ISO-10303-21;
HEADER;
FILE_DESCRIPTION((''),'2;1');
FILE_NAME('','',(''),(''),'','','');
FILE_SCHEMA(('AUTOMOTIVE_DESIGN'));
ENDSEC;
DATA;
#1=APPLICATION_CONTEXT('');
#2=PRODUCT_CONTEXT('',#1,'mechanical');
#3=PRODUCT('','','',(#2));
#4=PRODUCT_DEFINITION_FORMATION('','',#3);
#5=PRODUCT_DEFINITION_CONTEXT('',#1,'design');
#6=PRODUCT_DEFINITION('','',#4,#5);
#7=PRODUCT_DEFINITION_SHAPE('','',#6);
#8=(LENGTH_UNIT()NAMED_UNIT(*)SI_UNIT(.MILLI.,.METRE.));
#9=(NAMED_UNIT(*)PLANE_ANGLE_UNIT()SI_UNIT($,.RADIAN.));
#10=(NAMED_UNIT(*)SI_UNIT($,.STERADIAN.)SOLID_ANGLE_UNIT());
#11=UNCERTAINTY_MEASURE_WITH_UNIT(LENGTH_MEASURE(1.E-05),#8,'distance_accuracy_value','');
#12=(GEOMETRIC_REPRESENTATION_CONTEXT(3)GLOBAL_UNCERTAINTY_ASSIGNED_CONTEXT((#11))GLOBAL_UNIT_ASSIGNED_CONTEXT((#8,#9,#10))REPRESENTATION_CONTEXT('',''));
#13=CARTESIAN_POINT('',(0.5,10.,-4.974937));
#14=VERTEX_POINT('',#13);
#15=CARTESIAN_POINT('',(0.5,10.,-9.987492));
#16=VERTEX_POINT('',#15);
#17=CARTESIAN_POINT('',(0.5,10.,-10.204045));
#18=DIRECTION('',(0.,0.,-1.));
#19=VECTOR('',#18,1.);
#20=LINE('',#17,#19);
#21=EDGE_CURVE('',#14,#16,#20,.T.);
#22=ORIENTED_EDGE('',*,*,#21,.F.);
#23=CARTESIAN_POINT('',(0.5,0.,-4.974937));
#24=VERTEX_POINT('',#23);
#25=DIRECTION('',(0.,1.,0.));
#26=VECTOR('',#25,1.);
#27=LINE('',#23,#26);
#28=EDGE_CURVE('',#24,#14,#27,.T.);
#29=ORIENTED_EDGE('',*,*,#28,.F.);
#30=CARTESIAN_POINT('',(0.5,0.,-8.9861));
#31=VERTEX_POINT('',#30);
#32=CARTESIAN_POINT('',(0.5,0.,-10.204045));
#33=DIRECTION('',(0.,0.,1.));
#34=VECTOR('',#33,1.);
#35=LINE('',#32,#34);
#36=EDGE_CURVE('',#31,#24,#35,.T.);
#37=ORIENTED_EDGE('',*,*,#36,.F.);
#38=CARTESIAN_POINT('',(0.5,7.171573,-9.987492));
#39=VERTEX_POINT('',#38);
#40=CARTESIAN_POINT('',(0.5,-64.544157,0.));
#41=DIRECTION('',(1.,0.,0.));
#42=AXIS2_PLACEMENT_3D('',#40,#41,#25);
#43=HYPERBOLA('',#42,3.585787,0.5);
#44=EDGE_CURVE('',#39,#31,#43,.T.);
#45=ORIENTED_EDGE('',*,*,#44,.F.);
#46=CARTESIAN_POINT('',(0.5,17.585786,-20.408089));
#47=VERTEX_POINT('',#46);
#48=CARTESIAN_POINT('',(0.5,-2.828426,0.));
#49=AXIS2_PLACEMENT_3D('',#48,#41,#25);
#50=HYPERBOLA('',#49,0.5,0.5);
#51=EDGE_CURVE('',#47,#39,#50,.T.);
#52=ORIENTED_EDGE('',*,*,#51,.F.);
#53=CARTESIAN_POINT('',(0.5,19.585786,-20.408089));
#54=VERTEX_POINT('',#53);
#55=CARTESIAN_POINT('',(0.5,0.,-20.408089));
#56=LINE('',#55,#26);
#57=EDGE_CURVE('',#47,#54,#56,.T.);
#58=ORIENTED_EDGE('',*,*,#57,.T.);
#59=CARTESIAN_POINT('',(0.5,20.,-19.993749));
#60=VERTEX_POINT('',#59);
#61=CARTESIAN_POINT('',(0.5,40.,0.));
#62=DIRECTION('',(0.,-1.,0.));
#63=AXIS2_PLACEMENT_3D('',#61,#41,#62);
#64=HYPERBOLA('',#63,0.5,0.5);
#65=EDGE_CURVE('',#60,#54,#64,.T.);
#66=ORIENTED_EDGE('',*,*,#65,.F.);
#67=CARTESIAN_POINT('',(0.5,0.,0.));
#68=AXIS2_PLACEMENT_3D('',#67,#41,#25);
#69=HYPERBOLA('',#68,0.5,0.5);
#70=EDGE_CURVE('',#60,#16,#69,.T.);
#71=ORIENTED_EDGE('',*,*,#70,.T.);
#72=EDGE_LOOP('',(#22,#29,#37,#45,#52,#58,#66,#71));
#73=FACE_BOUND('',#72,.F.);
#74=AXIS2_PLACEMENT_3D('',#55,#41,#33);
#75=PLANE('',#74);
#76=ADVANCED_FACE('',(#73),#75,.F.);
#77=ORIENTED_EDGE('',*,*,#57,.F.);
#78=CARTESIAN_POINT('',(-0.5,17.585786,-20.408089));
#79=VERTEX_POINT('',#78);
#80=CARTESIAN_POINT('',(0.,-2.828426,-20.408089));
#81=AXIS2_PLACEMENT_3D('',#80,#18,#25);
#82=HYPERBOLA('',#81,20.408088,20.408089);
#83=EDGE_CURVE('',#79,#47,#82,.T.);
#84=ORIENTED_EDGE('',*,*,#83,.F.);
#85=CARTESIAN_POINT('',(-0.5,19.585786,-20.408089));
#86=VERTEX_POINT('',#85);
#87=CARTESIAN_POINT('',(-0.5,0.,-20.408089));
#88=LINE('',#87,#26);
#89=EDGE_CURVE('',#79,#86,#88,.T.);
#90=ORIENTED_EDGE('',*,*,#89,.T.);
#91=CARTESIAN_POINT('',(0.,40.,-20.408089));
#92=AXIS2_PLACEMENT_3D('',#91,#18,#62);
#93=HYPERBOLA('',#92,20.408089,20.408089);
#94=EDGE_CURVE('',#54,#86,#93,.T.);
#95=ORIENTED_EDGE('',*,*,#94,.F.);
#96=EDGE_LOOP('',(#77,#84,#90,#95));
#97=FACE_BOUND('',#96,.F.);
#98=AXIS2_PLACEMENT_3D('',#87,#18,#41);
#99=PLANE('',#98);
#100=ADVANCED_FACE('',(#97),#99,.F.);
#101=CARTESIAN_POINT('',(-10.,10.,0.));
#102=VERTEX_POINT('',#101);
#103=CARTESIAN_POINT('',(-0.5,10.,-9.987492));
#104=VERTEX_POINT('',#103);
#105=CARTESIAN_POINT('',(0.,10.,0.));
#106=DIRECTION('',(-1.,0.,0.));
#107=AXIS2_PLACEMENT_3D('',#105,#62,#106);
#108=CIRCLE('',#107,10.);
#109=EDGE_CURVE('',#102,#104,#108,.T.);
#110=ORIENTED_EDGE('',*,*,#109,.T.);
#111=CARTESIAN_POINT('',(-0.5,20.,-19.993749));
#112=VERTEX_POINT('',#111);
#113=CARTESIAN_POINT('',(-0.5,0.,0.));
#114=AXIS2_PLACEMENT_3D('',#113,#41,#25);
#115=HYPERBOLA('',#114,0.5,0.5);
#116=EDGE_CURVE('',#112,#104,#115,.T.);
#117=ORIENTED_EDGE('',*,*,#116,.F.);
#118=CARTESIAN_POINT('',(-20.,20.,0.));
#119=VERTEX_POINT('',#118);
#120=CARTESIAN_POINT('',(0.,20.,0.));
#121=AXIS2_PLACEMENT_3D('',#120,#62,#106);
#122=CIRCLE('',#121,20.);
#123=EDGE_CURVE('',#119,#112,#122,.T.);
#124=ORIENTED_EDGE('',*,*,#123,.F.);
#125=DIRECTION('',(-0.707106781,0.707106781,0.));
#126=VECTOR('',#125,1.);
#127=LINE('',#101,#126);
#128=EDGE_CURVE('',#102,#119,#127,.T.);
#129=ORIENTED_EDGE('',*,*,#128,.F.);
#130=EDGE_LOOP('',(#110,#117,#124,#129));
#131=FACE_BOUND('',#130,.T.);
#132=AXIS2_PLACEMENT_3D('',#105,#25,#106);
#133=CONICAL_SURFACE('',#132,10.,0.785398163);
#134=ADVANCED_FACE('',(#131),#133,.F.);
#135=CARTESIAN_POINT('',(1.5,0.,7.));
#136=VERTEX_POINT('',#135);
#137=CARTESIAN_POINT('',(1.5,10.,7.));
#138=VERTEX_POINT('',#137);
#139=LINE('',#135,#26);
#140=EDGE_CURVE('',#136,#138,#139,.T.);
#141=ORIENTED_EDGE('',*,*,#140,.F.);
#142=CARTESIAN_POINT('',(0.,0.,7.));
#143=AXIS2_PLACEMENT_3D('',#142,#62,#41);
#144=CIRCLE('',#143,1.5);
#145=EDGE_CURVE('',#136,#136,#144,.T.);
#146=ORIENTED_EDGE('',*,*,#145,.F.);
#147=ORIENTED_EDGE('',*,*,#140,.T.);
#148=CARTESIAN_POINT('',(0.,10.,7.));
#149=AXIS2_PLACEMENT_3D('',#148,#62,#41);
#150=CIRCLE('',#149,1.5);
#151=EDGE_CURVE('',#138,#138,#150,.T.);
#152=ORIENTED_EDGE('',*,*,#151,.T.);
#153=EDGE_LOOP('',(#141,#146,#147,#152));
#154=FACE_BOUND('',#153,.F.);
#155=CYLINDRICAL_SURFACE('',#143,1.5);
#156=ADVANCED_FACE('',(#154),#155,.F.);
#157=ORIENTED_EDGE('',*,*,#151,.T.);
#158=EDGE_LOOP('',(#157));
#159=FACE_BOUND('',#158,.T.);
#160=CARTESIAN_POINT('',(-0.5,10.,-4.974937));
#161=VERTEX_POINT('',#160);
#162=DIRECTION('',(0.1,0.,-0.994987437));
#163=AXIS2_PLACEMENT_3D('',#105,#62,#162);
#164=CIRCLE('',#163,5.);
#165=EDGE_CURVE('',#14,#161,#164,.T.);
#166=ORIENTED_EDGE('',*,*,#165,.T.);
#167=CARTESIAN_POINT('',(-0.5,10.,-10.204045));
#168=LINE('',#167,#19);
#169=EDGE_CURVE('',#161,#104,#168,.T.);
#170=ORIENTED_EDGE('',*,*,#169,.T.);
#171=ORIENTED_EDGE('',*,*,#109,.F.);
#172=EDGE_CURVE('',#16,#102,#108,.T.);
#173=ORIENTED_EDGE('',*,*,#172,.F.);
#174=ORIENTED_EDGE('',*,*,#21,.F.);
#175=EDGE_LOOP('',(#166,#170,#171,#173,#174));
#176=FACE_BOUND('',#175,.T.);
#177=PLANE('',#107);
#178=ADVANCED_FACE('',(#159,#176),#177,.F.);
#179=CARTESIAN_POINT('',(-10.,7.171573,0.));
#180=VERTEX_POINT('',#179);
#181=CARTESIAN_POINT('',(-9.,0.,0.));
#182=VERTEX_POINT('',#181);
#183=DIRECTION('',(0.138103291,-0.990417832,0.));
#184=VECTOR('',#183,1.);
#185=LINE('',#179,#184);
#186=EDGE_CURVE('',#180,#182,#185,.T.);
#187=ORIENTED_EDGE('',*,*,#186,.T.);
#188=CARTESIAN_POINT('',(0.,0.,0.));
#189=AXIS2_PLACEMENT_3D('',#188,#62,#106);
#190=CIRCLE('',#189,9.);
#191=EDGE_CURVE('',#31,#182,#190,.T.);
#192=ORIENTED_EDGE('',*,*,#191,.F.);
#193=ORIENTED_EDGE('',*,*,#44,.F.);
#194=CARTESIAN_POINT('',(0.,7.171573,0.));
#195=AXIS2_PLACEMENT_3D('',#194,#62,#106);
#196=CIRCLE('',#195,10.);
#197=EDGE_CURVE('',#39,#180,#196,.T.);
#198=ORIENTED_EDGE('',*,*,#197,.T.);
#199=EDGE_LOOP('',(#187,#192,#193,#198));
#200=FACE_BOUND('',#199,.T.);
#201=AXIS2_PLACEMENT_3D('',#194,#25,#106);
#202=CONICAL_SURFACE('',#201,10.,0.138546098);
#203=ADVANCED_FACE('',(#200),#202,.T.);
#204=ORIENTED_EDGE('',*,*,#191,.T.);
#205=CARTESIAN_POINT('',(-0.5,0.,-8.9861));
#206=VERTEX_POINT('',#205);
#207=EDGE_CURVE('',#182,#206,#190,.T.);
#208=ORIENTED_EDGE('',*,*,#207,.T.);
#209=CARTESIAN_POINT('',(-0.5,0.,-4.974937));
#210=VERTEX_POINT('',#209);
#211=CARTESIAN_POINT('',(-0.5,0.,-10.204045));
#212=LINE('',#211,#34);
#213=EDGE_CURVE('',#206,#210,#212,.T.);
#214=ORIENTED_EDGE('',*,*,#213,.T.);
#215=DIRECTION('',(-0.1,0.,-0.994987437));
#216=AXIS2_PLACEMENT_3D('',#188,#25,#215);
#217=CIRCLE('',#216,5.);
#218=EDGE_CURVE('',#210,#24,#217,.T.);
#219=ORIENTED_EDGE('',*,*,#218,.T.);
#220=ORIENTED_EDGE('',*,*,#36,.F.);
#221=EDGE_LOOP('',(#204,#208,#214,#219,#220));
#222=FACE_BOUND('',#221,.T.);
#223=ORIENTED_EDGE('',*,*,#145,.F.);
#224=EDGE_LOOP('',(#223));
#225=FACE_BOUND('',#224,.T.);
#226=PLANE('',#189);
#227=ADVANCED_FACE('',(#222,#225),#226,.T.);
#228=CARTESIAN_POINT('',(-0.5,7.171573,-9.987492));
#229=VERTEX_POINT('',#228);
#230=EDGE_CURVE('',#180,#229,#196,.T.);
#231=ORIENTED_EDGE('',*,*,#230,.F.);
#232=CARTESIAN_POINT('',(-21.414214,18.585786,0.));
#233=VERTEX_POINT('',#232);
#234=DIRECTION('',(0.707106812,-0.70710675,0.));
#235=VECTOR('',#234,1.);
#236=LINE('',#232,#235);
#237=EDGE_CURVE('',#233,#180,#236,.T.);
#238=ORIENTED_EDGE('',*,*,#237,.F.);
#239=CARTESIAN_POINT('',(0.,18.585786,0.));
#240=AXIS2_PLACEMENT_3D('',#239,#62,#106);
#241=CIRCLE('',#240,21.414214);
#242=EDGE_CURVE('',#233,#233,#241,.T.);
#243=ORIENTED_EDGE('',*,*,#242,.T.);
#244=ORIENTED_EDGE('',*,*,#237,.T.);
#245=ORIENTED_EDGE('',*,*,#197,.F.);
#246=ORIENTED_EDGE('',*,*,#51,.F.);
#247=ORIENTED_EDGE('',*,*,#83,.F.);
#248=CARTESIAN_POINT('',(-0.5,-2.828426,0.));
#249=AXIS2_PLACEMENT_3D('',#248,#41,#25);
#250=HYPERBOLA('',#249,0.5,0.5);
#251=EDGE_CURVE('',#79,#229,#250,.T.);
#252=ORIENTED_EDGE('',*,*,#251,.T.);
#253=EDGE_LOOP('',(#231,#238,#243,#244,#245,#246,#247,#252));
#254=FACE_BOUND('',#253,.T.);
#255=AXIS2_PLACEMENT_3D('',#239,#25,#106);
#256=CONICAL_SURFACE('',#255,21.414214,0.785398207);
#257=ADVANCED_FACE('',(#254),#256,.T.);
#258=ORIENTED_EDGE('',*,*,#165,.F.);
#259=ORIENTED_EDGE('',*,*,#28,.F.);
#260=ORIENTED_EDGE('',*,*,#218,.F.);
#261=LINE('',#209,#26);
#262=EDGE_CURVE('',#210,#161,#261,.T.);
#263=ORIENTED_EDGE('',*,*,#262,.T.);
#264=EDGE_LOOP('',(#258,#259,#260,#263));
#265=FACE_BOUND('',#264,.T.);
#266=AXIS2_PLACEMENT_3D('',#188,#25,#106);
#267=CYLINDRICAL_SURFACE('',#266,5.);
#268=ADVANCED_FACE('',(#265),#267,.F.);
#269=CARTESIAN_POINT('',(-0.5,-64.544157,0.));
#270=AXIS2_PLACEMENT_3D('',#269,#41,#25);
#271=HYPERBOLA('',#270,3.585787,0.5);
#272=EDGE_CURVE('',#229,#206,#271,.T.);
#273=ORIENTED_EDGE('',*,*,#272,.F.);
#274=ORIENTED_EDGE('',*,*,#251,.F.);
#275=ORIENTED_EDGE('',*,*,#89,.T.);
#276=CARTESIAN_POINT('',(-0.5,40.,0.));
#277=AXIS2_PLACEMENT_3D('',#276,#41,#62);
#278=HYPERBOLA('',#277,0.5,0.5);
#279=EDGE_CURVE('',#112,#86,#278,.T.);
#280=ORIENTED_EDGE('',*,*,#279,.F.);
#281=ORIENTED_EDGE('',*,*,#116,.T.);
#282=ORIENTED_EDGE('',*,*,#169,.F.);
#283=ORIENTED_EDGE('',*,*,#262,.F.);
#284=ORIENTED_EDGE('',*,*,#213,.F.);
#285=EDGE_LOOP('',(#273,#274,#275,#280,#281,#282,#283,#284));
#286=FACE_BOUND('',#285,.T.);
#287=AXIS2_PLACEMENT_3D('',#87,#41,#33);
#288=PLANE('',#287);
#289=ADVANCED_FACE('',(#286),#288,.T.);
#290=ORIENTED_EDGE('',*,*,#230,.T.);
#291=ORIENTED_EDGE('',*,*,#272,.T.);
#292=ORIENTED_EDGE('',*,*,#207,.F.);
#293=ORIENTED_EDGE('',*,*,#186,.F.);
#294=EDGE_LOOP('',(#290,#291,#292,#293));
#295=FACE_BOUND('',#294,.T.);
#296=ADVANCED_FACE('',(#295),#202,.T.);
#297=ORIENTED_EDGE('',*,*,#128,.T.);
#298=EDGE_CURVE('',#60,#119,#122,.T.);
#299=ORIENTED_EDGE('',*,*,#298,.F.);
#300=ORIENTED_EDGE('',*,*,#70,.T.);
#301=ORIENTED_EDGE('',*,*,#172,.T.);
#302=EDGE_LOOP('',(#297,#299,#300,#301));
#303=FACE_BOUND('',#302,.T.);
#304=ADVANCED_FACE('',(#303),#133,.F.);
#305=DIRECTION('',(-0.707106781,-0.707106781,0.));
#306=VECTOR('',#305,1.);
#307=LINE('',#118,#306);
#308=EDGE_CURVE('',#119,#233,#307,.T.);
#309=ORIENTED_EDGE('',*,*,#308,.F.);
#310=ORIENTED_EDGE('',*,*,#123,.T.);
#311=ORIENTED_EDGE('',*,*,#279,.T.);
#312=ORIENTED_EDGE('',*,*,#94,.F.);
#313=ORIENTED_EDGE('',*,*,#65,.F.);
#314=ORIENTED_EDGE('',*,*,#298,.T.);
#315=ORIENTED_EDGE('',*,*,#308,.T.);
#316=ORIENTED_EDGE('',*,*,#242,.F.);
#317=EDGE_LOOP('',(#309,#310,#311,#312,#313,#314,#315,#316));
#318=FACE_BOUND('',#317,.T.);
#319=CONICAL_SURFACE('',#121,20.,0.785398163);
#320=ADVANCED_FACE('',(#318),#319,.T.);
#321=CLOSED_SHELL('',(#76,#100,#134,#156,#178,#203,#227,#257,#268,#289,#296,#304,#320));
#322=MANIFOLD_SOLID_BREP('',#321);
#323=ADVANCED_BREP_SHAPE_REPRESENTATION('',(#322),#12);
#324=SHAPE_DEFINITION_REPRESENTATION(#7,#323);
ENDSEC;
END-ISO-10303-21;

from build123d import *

# Parameters (mm, degrees)
F2_R     = 1.5
F3_DEPTH = 20.001
F4_W     = 1
F4_H     = 20.408089
F5_DEPTH = 25


with BuildPart() as f1:
    # F0 (on Top) → F1 (revolve)
    with BuildSketch(Plane.XY):
        Polygon((-10, 10), (-20, 20), (-21.414214, 18.585786), (-10, 7.171573), (-9, 0), (-5, 0), (-5, 10), align=None)
    revolve(axis=Axis((0, -1.348249, 0), (0, -1, 0)))

    # F2 (on face) → F3 (cut, through all)
    with BuildSketch(Plane.XZ):
        with Locations((0, 7)):
            Circle(F2_R)
    extrude(amount=-F3_DEPTH, mode=Mode.SUBTRACT)

    # F4 (on face) → F5 (cut)
    with BuildSketch(Plane.XZ):
        with Locations((0, -10.204045)):
            Rectangle(F4_W, F4_H)
    extrude(amount=-F5_DEPTH, mode=Mode.SUBTRACT)


solid = f1.part
